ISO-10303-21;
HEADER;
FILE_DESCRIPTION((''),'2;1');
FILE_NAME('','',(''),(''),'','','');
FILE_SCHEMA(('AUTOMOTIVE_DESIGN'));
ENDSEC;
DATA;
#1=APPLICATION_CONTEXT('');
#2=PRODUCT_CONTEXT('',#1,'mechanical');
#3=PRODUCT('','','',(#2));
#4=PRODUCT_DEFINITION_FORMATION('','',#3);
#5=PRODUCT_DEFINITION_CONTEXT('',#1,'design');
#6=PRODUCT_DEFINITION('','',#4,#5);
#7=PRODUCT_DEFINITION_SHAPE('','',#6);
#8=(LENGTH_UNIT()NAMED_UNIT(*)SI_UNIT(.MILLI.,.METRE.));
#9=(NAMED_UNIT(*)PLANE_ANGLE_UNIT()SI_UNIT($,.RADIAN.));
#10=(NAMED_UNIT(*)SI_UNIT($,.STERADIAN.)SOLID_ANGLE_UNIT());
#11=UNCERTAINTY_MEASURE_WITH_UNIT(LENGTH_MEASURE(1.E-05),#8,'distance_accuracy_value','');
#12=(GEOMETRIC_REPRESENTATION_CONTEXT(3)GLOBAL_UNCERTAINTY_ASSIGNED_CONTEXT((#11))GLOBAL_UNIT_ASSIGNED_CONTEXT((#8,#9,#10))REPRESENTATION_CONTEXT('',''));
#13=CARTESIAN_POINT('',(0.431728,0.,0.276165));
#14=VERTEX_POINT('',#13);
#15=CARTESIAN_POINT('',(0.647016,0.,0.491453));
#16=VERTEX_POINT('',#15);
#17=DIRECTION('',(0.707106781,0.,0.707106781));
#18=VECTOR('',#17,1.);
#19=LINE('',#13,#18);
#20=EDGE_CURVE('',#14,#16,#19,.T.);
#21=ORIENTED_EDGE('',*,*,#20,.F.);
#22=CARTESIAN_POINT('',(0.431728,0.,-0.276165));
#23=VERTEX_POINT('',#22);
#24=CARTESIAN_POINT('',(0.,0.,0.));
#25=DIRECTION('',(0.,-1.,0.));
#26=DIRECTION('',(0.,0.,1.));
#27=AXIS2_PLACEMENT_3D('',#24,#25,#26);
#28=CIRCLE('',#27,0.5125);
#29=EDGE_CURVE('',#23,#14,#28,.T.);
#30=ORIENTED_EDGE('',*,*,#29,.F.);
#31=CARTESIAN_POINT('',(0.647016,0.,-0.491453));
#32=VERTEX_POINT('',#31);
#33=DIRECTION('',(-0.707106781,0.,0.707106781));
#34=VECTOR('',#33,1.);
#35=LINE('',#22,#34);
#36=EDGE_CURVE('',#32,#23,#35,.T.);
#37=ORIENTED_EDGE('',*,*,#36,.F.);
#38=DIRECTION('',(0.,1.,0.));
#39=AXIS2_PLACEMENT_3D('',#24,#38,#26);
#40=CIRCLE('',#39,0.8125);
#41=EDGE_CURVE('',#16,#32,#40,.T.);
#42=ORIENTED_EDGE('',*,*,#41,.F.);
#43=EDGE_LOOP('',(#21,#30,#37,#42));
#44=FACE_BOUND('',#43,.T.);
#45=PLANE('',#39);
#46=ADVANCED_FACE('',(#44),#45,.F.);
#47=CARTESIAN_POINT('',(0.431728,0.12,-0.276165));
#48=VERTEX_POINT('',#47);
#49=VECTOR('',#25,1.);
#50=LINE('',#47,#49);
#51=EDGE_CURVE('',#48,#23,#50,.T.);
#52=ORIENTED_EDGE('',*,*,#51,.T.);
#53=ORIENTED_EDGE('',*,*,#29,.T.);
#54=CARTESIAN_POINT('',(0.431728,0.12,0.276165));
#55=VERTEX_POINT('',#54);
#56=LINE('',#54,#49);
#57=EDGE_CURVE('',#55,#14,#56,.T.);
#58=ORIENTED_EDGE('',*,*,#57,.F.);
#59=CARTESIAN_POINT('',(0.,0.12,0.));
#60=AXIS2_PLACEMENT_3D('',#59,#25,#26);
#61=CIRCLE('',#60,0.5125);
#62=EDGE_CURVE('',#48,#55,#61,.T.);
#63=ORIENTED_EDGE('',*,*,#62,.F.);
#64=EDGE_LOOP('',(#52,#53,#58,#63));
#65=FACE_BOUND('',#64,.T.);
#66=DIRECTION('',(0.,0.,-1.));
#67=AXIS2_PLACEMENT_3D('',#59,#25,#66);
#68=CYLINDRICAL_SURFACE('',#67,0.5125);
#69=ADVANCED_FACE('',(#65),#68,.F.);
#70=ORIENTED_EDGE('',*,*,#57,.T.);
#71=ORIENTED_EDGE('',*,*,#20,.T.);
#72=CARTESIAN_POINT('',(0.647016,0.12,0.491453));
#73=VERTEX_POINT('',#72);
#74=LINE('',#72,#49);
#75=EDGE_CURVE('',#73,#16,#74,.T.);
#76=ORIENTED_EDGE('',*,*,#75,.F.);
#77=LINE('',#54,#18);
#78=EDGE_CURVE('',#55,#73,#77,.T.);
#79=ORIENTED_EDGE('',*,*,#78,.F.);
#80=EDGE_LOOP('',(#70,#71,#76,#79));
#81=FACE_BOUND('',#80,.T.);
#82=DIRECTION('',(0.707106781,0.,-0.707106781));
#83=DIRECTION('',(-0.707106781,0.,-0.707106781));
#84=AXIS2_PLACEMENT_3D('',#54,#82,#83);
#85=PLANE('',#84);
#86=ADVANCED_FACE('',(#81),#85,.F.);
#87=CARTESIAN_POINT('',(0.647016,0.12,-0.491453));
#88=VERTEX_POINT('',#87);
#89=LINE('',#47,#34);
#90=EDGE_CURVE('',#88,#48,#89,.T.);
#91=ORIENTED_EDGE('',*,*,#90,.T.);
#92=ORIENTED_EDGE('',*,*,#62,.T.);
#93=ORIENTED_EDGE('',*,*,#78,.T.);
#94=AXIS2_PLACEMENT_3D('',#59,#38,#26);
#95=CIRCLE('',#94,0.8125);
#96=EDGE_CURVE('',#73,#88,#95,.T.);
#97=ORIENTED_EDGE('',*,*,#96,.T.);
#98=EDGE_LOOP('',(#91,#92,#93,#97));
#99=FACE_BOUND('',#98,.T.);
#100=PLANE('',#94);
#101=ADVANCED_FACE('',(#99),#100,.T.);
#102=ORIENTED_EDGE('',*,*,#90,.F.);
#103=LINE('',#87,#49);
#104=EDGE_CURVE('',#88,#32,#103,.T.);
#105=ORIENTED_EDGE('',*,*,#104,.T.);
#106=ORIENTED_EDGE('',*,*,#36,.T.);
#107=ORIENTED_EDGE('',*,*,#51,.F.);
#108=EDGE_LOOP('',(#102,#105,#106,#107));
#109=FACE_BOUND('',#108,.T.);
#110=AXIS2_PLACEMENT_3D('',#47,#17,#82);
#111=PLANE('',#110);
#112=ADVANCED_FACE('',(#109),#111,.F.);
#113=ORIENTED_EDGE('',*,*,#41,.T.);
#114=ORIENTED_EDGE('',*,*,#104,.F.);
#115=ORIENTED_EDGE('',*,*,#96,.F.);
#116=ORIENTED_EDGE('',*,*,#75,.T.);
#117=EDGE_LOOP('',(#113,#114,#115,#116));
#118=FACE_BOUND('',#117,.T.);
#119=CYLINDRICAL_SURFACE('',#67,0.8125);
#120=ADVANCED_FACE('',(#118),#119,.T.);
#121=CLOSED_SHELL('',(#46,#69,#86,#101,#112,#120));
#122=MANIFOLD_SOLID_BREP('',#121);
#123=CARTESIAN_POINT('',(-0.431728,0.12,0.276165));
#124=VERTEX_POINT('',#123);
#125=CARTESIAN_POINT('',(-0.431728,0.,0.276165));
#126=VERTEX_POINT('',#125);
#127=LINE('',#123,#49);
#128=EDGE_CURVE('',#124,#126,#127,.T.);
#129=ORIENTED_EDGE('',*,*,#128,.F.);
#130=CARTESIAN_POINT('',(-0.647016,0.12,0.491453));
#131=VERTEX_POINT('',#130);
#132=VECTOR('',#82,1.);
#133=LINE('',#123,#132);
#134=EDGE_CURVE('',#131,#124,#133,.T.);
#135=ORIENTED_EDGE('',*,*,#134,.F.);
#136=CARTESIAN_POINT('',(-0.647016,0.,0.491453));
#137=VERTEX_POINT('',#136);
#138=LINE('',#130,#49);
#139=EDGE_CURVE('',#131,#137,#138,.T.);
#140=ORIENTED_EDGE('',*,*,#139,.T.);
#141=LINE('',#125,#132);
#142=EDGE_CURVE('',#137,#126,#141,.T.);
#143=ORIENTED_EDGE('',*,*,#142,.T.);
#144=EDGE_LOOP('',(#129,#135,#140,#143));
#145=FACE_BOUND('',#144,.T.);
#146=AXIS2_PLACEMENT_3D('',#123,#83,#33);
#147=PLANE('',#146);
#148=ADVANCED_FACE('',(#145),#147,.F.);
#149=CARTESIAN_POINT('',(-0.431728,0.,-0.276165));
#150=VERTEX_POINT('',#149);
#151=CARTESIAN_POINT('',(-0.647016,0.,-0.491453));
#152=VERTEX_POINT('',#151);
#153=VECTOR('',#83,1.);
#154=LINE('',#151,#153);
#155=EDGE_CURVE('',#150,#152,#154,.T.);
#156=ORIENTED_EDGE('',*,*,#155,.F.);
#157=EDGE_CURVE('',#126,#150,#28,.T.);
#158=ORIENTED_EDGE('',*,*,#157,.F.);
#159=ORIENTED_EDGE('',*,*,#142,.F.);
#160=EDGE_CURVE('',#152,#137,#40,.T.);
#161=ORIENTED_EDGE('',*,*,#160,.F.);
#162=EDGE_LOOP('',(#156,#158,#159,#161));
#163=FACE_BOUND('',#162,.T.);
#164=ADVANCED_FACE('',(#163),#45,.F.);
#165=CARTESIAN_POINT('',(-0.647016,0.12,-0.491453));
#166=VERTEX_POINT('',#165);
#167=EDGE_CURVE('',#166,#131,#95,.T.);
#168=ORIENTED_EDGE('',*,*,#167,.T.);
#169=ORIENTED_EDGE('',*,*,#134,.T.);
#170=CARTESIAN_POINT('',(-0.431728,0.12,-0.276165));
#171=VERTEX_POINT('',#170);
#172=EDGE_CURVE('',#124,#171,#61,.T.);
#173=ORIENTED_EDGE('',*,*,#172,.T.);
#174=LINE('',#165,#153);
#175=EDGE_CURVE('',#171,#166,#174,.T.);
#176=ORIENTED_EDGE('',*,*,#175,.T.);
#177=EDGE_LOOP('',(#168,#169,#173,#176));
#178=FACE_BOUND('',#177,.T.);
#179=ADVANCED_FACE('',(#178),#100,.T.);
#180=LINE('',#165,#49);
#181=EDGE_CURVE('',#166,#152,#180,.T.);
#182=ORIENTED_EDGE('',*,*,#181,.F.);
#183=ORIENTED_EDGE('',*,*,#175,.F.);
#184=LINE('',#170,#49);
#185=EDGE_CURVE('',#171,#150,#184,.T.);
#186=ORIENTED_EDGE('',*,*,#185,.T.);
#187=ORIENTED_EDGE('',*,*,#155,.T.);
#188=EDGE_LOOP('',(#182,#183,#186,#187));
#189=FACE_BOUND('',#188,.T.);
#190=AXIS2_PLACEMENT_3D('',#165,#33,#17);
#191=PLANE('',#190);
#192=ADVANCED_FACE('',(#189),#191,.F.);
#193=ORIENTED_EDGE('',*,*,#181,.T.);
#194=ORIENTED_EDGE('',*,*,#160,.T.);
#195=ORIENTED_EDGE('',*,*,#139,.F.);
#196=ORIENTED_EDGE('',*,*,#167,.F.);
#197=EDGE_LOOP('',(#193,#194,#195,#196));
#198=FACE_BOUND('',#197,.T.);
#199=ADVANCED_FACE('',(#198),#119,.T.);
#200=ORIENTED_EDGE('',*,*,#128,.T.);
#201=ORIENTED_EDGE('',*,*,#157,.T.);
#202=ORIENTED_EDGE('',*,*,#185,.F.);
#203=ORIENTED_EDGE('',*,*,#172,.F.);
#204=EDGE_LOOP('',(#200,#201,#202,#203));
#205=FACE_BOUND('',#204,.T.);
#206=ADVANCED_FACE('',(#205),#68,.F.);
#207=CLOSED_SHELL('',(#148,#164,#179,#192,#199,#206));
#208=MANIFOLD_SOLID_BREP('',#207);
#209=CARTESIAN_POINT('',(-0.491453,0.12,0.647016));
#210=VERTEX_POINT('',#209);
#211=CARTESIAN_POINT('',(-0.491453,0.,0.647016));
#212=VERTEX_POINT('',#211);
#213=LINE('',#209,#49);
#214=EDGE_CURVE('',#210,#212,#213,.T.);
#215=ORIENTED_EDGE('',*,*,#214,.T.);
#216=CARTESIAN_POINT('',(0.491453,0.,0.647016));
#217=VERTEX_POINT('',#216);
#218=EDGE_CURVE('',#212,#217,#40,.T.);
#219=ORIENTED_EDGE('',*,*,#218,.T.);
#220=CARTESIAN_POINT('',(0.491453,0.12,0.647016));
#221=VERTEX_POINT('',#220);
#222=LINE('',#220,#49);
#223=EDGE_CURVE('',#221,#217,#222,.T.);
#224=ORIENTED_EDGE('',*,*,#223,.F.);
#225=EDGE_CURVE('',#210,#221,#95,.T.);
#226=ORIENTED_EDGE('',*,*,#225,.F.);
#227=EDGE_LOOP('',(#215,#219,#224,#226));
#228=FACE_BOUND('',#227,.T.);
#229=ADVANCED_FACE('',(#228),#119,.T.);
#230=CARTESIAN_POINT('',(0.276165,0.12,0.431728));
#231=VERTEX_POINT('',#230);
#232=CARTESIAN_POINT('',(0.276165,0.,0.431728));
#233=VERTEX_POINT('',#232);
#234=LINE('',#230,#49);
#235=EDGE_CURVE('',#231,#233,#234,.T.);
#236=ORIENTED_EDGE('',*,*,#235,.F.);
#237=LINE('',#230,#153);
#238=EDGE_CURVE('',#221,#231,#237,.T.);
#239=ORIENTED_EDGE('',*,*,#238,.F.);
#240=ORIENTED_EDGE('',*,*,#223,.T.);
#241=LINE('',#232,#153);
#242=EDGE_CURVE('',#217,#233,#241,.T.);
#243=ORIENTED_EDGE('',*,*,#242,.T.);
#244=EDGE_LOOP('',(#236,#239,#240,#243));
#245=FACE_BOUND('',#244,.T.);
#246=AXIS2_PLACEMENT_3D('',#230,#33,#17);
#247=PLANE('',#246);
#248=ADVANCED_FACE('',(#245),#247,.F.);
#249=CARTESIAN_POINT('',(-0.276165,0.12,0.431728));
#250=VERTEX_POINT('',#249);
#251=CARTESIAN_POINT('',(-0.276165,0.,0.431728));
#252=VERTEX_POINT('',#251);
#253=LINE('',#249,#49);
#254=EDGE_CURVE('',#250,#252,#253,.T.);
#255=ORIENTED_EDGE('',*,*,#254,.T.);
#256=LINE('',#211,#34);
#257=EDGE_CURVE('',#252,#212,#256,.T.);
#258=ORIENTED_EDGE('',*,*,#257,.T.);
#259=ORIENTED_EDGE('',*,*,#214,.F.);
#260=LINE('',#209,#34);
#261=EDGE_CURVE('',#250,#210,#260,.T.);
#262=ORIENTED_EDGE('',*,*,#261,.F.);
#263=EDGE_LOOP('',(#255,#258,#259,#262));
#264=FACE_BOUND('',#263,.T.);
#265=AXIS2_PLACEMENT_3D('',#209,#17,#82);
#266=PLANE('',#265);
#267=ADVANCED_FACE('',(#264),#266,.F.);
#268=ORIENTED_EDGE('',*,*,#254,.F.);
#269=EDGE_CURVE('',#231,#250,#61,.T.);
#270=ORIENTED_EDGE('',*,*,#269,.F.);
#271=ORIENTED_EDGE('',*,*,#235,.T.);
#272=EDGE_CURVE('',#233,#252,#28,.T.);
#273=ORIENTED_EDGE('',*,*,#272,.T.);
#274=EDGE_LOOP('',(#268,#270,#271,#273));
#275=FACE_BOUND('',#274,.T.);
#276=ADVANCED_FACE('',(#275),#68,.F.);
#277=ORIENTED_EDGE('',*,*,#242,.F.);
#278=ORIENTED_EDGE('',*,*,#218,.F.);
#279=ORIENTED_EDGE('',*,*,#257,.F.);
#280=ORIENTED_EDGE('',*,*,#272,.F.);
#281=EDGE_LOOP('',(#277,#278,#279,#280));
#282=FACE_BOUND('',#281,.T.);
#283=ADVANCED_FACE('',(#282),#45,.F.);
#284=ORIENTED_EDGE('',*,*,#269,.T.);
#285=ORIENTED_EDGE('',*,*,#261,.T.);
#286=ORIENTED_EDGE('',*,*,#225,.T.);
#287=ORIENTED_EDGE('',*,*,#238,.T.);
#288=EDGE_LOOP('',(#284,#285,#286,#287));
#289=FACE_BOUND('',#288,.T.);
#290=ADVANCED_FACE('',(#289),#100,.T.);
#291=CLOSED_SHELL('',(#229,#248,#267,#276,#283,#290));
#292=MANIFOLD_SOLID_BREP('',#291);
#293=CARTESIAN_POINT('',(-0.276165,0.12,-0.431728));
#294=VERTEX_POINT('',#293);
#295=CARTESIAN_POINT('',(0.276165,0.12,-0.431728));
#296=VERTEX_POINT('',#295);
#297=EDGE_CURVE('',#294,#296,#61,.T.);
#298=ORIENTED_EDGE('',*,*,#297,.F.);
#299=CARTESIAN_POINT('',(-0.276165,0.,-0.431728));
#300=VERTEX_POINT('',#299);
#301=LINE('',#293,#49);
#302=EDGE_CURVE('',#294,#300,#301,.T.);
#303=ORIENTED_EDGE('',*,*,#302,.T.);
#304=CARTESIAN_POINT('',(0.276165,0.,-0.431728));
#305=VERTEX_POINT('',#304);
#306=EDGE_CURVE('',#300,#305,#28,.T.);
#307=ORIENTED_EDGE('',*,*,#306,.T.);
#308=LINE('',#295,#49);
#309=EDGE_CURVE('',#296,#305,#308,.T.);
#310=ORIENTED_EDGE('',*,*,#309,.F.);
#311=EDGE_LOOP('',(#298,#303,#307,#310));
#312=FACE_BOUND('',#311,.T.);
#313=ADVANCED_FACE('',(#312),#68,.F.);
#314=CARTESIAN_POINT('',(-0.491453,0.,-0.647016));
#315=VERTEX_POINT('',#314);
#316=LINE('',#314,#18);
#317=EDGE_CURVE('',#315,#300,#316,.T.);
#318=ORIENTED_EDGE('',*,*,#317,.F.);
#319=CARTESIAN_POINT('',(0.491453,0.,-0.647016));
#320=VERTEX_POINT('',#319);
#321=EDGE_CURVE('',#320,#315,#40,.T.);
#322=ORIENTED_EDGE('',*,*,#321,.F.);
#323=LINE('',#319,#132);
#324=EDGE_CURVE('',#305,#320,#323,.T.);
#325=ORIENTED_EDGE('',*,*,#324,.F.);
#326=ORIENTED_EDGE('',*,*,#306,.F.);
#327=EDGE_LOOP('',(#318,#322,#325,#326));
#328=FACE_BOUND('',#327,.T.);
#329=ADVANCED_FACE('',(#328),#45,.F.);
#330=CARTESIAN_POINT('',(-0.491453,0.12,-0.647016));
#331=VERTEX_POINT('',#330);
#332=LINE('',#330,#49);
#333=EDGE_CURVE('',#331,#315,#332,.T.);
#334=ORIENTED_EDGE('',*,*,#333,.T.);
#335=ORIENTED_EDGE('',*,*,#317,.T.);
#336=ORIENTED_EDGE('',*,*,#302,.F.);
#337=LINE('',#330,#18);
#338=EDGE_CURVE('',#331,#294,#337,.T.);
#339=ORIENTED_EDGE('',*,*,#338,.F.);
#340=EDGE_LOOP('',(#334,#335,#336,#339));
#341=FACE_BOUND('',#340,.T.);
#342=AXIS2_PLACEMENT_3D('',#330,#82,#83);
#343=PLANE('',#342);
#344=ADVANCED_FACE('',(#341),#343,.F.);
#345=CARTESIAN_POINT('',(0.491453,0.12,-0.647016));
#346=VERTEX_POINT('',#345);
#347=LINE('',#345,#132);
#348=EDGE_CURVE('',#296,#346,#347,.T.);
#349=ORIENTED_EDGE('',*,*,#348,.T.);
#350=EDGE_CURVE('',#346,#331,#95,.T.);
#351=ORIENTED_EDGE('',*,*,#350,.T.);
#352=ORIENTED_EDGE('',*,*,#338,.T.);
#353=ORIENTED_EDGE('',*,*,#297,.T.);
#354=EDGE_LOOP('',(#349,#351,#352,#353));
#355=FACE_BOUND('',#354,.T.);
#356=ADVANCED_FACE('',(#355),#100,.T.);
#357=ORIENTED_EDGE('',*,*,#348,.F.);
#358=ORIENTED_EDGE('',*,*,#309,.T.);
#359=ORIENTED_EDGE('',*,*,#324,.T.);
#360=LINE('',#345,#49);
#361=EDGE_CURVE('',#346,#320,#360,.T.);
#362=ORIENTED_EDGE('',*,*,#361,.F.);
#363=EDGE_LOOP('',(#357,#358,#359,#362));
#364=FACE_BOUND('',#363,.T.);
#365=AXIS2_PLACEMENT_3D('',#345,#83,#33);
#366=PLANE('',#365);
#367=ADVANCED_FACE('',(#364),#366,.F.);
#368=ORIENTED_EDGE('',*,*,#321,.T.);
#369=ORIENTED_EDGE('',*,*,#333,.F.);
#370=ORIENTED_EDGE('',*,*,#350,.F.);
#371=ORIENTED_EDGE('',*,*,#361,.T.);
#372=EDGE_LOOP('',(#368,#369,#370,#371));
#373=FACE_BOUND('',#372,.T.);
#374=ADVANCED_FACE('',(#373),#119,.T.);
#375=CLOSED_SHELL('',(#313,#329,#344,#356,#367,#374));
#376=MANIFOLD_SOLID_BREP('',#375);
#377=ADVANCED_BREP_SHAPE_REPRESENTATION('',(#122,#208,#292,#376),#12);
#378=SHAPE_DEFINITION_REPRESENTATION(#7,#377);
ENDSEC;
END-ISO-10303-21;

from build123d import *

# Parameters (mm, degrees)
BOSS_EXTRUDE1_DEPTH   = 0.12
BOSS_EXTRUDE1_2_DEPTH = 0.12
BOSS_EXTRUDE1_3_DEPTH = 0.12
BOSS_EXTRUDE1_4_DEPTH = 0.12


with BuildPart() as part:
    # Sketch1 → Boss-Extrude1 (new body)
    with BuildSketch(Plane(origin=(0, 0, 0), x_dir=(1, 0, 0), z_dir=(0, 1, 0))):
        with BuildLine():
            Line((-0.491452938, -0.64701643), (-0.276164754, -0.431728246))
            ThreePointArc((-0.276164754, -0.431728246), (0, -0.5125), (0.276164754, -0.431728246))
            Line((0.276164754, -0.431728246), (0.491452938, -0.64701643))
            ThreePointArc((0.491452938, -0.64701643), (0, -0.8125), (-0.491452938, -0.64701643))
        make_face()
    extrude(amount=BOSS_EXTRUDE1_DEPTH)


with BuildPart() as body_2:
    # Sketch1 → Boss-Extrude1 2 (new body)
    with BuildSketch(Plane(origin=(0, 0, 0), x_dir=(1, 0, 0), z_dir=(0, 1, 0))):
        with BuildLine():
            Line((0.491452938, 0.64701643), (0.276164754, 0.431728246))
            ThreePointArc((0.276164754, 0.431728246), (0, 0.5125), (-0.276164754, 0.431728246))
            Line((-0.276164754, 0.431728246), (-0.491452938, 0.64701643))
            ThreePointArc((-0.491452938, 0.64701643), (0, 0.8125), (0.491452938, 0.64701643))
        make_face()
    extrude(amount=BOSS_EXTRUDE1_2_DEPTH)


with BuildPart() as body_3:
    # Sketch1 → Boss-Extrude1 3 (new body)
    with BuildSketch(Plane(origin=(0, 0, 0), x_dir=(1, 0, 0), z_dir=(0, 1, 0))):
        with BuildLine():
            Line((-0.64701643, 0.491452938), (-0.431728246, 0.276164754))
            ThreePointArc((-0.431728246, 0.276164754), (-0.5125, 0), (-0.431728246, -0.276164754))
            Line((-0.431728246, -0.276164754), (-0.64701643, -0.491452938))
            ThreePointArc((-0.64701643, -0.491452938), (-0.8125, 0), (-0.64701643, 0.491452938))
        make_face()
    extrude(amount=BOSS_EXTRUDE1_3_DEPTH)


with BuildPart() as body_4:
    # Sketch1 → Boss-Extrude1 4 (new body)
    with BuildSketch(Plane(origin=(0, 0, 0), x_dir=(1, 0, 0), z_dir=(0, 1, 0))):
        with BuildLine():
            Line((0.431728246, 0.276164754), (0.64701643, 0.491452938))
            ThreePointArc((0.64701643, 0.491452938), (0.8125, 0), (0.64701643, -0.491452938))
            Line((0.64701643, -0.491452938), (0.431728246, -0.276164754))
            ThreePointArc((0.431728246, -0.276164754), (0.5125, 0), (0.431728246, 0.276164754))
        make_face()
    extrude(amount=BOSS_EXTRUDE1_4_DEPTH)


solid = Compound([part.part, body_2.part, body_3.part, body_4.part])
